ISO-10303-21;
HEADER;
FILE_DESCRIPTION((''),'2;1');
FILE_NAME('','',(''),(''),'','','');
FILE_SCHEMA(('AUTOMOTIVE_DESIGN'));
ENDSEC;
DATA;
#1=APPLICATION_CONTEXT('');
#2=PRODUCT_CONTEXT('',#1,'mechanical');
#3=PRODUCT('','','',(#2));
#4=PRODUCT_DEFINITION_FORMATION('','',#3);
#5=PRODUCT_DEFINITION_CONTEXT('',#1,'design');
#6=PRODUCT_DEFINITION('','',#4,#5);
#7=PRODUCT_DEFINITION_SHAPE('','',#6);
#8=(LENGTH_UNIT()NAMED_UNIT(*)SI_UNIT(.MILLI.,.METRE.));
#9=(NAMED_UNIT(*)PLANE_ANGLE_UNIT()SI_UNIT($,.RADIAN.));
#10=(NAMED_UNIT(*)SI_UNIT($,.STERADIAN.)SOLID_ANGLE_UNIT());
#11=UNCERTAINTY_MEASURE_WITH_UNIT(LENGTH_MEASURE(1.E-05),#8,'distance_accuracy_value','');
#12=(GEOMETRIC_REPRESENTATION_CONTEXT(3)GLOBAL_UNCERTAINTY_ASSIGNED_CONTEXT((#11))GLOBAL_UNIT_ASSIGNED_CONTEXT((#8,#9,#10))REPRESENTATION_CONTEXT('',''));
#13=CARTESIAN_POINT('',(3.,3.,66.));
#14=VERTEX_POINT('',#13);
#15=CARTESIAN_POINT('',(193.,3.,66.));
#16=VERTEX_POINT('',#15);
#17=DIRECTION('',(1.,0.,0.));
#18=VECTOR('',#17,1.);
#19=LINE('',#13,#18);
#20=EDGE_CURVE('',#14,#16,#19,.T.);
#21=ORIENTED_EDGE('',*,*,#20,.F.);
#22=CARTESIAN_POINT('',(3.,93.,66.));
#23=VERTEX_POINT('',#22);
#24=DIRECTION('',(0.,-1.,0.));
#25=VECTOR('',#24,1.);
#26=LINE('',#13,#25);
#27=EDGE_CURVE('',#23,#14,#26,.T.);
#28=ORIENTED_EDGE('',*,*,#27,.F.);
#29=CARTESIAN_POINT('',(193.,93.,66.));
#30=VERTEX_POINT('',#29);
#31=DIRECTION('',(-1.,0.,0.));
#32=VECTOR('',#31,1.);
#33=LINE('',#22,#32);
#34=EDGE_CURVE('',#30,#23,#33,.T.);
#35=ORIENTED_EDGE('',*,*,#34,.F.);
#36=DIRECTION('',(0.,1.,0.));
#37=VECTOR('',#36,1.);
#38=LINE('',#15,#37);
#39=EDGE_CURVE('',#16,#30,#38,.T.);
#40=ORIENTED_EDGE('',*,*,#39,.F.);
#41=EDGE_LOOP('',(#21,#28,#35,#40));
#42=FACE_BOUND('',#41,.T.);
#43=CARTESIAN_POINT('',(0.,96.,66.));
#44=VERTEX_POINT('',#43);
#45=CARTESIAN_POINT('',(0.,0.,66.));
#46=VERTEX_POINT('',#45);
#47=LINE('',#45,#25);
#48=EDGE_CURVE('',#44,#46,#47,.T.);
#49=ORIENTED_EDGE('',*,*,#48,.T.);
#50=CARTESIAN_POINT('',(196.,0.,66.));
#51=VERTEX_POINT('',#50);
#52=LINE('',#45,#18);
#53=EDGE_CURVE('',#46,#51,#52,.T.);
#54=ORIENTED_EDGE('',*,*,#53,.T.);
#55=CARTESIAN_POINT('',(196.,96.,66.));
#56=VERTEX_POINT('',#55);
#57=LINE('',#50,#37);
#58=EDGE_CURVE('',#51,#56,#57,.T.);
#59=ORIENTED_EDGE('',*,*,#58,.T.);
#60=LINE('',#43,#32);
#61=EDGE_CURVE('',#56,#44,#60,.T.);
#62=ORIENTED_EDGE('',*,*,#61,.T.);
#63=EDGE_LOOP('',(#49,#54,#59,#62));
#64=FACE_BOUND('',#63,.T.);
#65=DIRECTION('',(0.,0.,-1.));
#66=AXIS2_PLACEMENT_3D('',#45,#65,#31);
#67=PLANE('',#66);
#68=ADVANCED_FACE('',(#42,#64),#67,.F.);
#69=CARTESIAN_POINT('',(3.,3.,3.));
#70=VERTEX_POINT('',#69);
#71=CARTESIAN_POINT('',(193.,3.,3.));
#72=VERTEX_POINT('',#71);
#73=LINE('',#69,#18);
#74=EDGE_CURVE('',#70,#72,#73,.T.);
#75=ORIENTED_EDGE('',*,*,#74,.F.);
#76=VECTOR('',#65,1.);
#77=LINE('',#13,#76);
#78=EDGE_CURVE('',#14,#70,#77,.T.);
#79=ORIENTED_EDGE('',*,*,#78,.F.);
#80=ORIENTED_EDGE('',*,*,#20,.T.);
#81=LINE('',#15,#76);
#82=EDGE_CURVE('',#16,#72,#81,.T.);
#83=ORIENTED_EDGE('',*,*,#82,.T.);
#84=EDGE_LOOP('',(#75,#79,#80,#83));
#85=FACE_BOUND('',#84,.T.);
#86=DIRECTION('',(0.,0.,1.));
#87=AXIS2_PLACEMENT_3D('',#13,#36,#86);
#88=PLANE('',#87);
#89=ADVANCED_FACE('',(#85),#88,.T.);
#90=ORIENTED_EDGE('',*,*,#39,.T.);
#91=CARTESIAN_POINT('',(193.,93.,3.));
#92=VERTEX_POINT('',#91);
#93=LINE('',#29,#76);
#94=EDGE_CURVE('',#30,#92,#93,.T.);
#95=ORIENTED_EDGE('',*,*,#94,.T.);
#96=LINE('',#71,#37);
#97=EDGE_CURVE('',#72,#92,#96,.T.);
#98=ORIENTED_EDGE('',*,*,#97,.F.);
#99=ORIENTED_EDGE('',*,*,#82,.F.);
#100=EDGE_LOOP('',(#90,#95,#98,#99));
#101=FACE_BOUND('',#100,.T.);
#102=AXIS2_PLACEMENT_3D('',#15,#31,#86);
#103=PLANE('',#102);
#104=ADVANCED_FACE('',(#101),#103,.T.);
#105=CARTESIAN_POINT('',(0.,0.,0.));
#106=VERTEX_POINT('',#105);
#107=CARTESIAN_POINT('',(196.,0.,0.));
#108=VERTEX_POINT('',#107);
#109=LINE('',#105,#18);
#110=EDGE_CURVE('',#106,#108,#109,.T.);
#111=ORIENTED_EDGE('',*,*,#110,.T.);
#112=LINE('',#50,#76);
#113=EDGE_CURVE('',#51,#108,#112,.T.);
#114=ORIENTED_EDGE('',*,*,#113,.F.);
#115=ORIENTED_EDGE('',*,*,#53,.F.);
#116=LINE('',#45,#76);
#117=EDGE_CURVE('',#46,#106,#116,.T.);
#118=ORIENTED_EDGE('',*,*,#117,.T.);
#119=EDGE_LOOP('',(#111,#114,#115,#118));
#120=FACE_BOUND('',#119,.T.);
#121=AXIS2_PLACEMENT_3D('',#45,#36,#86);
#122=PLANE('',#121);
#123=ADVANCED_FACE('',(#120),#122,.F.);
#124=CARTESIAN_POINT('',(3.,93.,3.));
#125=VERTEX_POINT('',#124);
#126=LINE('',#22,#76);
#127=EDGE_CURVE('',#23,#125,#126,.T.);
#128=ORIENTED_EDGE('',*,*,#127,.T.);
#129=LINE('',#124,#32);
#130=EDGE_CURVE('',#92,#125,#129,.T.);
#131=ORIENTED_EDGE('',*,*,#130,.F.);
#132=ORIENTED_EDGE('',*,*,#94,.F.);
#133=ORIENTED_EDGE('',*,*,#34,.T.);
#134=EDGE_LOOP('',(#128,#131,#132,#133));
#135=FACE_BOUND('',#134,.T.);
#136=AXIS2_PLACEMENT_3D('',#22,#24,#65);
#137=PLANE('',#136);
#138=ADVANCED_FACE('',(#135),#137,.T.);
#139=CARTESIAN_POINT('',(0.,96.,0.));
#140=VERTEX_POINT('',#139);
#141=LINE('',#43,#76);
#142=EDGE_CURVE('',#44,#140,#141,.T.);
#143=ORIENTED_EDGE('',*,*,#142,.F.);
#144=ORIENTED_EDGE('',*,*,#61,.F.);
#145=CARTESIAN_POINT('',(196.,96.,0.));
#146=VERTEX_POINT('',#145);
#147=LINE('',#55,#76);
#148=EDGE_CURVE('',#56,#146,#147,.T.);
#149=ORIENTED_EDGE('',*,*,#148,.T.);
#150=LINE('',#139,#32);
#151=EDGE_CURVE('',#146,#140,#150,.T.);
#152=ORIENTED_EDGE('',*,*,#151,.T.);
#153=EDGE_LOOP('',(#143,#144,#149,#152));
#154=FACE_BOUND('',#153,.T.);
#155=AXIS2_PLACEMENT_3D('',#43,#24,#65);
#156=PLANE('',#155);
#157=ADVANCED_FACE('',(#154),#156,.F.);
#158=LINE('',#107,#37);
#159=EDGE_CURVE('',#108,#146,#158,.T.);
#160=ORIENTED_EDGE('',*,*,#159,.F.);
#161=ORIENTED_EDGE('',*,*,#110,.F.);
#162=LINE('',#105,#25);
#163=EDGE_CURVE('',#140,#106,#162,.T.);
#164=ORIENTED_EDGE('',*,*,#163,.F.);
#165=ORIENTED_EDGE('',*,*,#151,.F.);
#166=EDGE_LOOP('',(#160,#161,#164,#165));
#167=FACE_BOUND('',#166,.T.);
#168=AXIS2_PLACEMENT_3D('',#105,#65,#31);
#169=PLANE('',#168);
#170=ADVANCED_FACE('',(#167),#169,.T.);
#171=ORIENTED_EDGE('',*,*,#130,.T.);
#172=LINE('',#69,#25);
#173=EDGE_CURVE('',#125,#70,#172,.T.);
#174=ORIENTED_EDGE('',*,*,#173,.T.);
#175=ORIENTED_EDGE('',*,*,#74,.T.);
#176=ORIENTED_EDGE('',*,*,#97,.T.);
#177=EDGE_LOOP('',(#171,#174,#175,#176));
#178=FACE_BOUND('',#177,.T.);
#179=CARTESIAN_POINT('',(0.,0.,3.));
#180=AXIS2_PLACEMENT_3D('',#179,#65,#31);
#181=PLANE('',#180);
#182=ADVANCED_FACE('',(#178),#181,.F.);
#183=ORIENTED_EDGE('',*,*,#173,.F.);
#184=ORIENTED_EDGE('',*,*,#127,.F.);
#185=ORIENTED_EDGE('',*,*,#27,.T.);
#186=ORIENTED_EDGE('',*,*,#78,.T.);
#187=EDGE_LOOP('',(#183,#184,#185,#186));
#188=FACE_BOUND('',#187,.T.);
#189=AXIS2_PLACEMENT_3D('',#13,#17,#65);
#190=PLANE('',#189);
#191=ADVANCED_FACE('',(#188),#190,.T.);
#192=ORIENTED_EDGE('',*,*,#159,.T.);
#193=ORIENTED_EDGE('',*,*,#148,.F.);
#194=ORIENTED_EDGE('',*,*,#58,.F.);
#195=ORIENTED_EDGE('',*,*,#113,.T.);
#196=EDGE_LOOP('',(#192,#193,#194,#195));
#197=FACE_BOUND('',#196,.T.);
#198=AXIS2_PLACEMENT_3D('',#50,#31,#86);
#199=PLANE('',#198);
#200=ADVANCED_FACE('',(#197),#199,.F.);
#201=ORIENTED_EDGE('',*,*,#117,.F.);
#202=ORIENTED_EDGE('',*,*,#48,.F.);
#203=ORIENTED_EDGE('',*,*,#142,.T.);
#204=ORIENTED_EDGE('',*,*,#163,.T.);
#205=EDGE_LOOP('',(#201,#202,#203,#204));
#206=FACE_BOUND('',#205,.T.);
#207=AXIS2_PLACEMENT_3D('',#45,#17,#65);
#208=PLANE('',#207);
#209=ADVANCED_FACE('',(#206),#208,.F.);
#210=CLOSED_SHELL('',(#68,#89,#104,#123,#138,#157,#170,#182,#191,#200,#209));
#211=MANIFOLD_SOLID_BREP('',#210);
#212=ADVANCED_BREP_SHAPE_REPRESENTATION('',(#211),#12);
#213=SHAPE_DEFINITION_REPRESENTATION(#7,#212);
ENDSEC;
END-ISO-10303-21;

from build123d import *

# Parameters (mm, degrees)
SKETCH1_W     = 196
SKETCH1_H     = 96
SKETCH1_W_2   = 190
SKETCH1_H_2   = 90
PROFILE_DEPTH = 66
SKETCH2_W     = 190
SKETCH2_H     = 90
BACK_DEPTH    = 3


with BuildPart() as part:
    # Sketch1 → Profile (new body)
    with BuildSketch(Plane.XY):
        with Locations((98, 48)):
            Rectangle(SKETCH1_W, SKETCH1_H)
        with Locations((98, 48)):
            Rectangle(SKETCH1_W_2, SKETCH1_H_2, mode=Mode.SUBTRACT)
    extrude(amount=PROFILE_DEPTH)

    # Sketch2 → Back (add)
    with BuildSketch(Plane.XY):
        with Locations((98, 48)):
            Rectangle(SKETCH2_W, SKETCH2_H)
    extrude(amount=BACK_DEPTH)


solid = part.part
